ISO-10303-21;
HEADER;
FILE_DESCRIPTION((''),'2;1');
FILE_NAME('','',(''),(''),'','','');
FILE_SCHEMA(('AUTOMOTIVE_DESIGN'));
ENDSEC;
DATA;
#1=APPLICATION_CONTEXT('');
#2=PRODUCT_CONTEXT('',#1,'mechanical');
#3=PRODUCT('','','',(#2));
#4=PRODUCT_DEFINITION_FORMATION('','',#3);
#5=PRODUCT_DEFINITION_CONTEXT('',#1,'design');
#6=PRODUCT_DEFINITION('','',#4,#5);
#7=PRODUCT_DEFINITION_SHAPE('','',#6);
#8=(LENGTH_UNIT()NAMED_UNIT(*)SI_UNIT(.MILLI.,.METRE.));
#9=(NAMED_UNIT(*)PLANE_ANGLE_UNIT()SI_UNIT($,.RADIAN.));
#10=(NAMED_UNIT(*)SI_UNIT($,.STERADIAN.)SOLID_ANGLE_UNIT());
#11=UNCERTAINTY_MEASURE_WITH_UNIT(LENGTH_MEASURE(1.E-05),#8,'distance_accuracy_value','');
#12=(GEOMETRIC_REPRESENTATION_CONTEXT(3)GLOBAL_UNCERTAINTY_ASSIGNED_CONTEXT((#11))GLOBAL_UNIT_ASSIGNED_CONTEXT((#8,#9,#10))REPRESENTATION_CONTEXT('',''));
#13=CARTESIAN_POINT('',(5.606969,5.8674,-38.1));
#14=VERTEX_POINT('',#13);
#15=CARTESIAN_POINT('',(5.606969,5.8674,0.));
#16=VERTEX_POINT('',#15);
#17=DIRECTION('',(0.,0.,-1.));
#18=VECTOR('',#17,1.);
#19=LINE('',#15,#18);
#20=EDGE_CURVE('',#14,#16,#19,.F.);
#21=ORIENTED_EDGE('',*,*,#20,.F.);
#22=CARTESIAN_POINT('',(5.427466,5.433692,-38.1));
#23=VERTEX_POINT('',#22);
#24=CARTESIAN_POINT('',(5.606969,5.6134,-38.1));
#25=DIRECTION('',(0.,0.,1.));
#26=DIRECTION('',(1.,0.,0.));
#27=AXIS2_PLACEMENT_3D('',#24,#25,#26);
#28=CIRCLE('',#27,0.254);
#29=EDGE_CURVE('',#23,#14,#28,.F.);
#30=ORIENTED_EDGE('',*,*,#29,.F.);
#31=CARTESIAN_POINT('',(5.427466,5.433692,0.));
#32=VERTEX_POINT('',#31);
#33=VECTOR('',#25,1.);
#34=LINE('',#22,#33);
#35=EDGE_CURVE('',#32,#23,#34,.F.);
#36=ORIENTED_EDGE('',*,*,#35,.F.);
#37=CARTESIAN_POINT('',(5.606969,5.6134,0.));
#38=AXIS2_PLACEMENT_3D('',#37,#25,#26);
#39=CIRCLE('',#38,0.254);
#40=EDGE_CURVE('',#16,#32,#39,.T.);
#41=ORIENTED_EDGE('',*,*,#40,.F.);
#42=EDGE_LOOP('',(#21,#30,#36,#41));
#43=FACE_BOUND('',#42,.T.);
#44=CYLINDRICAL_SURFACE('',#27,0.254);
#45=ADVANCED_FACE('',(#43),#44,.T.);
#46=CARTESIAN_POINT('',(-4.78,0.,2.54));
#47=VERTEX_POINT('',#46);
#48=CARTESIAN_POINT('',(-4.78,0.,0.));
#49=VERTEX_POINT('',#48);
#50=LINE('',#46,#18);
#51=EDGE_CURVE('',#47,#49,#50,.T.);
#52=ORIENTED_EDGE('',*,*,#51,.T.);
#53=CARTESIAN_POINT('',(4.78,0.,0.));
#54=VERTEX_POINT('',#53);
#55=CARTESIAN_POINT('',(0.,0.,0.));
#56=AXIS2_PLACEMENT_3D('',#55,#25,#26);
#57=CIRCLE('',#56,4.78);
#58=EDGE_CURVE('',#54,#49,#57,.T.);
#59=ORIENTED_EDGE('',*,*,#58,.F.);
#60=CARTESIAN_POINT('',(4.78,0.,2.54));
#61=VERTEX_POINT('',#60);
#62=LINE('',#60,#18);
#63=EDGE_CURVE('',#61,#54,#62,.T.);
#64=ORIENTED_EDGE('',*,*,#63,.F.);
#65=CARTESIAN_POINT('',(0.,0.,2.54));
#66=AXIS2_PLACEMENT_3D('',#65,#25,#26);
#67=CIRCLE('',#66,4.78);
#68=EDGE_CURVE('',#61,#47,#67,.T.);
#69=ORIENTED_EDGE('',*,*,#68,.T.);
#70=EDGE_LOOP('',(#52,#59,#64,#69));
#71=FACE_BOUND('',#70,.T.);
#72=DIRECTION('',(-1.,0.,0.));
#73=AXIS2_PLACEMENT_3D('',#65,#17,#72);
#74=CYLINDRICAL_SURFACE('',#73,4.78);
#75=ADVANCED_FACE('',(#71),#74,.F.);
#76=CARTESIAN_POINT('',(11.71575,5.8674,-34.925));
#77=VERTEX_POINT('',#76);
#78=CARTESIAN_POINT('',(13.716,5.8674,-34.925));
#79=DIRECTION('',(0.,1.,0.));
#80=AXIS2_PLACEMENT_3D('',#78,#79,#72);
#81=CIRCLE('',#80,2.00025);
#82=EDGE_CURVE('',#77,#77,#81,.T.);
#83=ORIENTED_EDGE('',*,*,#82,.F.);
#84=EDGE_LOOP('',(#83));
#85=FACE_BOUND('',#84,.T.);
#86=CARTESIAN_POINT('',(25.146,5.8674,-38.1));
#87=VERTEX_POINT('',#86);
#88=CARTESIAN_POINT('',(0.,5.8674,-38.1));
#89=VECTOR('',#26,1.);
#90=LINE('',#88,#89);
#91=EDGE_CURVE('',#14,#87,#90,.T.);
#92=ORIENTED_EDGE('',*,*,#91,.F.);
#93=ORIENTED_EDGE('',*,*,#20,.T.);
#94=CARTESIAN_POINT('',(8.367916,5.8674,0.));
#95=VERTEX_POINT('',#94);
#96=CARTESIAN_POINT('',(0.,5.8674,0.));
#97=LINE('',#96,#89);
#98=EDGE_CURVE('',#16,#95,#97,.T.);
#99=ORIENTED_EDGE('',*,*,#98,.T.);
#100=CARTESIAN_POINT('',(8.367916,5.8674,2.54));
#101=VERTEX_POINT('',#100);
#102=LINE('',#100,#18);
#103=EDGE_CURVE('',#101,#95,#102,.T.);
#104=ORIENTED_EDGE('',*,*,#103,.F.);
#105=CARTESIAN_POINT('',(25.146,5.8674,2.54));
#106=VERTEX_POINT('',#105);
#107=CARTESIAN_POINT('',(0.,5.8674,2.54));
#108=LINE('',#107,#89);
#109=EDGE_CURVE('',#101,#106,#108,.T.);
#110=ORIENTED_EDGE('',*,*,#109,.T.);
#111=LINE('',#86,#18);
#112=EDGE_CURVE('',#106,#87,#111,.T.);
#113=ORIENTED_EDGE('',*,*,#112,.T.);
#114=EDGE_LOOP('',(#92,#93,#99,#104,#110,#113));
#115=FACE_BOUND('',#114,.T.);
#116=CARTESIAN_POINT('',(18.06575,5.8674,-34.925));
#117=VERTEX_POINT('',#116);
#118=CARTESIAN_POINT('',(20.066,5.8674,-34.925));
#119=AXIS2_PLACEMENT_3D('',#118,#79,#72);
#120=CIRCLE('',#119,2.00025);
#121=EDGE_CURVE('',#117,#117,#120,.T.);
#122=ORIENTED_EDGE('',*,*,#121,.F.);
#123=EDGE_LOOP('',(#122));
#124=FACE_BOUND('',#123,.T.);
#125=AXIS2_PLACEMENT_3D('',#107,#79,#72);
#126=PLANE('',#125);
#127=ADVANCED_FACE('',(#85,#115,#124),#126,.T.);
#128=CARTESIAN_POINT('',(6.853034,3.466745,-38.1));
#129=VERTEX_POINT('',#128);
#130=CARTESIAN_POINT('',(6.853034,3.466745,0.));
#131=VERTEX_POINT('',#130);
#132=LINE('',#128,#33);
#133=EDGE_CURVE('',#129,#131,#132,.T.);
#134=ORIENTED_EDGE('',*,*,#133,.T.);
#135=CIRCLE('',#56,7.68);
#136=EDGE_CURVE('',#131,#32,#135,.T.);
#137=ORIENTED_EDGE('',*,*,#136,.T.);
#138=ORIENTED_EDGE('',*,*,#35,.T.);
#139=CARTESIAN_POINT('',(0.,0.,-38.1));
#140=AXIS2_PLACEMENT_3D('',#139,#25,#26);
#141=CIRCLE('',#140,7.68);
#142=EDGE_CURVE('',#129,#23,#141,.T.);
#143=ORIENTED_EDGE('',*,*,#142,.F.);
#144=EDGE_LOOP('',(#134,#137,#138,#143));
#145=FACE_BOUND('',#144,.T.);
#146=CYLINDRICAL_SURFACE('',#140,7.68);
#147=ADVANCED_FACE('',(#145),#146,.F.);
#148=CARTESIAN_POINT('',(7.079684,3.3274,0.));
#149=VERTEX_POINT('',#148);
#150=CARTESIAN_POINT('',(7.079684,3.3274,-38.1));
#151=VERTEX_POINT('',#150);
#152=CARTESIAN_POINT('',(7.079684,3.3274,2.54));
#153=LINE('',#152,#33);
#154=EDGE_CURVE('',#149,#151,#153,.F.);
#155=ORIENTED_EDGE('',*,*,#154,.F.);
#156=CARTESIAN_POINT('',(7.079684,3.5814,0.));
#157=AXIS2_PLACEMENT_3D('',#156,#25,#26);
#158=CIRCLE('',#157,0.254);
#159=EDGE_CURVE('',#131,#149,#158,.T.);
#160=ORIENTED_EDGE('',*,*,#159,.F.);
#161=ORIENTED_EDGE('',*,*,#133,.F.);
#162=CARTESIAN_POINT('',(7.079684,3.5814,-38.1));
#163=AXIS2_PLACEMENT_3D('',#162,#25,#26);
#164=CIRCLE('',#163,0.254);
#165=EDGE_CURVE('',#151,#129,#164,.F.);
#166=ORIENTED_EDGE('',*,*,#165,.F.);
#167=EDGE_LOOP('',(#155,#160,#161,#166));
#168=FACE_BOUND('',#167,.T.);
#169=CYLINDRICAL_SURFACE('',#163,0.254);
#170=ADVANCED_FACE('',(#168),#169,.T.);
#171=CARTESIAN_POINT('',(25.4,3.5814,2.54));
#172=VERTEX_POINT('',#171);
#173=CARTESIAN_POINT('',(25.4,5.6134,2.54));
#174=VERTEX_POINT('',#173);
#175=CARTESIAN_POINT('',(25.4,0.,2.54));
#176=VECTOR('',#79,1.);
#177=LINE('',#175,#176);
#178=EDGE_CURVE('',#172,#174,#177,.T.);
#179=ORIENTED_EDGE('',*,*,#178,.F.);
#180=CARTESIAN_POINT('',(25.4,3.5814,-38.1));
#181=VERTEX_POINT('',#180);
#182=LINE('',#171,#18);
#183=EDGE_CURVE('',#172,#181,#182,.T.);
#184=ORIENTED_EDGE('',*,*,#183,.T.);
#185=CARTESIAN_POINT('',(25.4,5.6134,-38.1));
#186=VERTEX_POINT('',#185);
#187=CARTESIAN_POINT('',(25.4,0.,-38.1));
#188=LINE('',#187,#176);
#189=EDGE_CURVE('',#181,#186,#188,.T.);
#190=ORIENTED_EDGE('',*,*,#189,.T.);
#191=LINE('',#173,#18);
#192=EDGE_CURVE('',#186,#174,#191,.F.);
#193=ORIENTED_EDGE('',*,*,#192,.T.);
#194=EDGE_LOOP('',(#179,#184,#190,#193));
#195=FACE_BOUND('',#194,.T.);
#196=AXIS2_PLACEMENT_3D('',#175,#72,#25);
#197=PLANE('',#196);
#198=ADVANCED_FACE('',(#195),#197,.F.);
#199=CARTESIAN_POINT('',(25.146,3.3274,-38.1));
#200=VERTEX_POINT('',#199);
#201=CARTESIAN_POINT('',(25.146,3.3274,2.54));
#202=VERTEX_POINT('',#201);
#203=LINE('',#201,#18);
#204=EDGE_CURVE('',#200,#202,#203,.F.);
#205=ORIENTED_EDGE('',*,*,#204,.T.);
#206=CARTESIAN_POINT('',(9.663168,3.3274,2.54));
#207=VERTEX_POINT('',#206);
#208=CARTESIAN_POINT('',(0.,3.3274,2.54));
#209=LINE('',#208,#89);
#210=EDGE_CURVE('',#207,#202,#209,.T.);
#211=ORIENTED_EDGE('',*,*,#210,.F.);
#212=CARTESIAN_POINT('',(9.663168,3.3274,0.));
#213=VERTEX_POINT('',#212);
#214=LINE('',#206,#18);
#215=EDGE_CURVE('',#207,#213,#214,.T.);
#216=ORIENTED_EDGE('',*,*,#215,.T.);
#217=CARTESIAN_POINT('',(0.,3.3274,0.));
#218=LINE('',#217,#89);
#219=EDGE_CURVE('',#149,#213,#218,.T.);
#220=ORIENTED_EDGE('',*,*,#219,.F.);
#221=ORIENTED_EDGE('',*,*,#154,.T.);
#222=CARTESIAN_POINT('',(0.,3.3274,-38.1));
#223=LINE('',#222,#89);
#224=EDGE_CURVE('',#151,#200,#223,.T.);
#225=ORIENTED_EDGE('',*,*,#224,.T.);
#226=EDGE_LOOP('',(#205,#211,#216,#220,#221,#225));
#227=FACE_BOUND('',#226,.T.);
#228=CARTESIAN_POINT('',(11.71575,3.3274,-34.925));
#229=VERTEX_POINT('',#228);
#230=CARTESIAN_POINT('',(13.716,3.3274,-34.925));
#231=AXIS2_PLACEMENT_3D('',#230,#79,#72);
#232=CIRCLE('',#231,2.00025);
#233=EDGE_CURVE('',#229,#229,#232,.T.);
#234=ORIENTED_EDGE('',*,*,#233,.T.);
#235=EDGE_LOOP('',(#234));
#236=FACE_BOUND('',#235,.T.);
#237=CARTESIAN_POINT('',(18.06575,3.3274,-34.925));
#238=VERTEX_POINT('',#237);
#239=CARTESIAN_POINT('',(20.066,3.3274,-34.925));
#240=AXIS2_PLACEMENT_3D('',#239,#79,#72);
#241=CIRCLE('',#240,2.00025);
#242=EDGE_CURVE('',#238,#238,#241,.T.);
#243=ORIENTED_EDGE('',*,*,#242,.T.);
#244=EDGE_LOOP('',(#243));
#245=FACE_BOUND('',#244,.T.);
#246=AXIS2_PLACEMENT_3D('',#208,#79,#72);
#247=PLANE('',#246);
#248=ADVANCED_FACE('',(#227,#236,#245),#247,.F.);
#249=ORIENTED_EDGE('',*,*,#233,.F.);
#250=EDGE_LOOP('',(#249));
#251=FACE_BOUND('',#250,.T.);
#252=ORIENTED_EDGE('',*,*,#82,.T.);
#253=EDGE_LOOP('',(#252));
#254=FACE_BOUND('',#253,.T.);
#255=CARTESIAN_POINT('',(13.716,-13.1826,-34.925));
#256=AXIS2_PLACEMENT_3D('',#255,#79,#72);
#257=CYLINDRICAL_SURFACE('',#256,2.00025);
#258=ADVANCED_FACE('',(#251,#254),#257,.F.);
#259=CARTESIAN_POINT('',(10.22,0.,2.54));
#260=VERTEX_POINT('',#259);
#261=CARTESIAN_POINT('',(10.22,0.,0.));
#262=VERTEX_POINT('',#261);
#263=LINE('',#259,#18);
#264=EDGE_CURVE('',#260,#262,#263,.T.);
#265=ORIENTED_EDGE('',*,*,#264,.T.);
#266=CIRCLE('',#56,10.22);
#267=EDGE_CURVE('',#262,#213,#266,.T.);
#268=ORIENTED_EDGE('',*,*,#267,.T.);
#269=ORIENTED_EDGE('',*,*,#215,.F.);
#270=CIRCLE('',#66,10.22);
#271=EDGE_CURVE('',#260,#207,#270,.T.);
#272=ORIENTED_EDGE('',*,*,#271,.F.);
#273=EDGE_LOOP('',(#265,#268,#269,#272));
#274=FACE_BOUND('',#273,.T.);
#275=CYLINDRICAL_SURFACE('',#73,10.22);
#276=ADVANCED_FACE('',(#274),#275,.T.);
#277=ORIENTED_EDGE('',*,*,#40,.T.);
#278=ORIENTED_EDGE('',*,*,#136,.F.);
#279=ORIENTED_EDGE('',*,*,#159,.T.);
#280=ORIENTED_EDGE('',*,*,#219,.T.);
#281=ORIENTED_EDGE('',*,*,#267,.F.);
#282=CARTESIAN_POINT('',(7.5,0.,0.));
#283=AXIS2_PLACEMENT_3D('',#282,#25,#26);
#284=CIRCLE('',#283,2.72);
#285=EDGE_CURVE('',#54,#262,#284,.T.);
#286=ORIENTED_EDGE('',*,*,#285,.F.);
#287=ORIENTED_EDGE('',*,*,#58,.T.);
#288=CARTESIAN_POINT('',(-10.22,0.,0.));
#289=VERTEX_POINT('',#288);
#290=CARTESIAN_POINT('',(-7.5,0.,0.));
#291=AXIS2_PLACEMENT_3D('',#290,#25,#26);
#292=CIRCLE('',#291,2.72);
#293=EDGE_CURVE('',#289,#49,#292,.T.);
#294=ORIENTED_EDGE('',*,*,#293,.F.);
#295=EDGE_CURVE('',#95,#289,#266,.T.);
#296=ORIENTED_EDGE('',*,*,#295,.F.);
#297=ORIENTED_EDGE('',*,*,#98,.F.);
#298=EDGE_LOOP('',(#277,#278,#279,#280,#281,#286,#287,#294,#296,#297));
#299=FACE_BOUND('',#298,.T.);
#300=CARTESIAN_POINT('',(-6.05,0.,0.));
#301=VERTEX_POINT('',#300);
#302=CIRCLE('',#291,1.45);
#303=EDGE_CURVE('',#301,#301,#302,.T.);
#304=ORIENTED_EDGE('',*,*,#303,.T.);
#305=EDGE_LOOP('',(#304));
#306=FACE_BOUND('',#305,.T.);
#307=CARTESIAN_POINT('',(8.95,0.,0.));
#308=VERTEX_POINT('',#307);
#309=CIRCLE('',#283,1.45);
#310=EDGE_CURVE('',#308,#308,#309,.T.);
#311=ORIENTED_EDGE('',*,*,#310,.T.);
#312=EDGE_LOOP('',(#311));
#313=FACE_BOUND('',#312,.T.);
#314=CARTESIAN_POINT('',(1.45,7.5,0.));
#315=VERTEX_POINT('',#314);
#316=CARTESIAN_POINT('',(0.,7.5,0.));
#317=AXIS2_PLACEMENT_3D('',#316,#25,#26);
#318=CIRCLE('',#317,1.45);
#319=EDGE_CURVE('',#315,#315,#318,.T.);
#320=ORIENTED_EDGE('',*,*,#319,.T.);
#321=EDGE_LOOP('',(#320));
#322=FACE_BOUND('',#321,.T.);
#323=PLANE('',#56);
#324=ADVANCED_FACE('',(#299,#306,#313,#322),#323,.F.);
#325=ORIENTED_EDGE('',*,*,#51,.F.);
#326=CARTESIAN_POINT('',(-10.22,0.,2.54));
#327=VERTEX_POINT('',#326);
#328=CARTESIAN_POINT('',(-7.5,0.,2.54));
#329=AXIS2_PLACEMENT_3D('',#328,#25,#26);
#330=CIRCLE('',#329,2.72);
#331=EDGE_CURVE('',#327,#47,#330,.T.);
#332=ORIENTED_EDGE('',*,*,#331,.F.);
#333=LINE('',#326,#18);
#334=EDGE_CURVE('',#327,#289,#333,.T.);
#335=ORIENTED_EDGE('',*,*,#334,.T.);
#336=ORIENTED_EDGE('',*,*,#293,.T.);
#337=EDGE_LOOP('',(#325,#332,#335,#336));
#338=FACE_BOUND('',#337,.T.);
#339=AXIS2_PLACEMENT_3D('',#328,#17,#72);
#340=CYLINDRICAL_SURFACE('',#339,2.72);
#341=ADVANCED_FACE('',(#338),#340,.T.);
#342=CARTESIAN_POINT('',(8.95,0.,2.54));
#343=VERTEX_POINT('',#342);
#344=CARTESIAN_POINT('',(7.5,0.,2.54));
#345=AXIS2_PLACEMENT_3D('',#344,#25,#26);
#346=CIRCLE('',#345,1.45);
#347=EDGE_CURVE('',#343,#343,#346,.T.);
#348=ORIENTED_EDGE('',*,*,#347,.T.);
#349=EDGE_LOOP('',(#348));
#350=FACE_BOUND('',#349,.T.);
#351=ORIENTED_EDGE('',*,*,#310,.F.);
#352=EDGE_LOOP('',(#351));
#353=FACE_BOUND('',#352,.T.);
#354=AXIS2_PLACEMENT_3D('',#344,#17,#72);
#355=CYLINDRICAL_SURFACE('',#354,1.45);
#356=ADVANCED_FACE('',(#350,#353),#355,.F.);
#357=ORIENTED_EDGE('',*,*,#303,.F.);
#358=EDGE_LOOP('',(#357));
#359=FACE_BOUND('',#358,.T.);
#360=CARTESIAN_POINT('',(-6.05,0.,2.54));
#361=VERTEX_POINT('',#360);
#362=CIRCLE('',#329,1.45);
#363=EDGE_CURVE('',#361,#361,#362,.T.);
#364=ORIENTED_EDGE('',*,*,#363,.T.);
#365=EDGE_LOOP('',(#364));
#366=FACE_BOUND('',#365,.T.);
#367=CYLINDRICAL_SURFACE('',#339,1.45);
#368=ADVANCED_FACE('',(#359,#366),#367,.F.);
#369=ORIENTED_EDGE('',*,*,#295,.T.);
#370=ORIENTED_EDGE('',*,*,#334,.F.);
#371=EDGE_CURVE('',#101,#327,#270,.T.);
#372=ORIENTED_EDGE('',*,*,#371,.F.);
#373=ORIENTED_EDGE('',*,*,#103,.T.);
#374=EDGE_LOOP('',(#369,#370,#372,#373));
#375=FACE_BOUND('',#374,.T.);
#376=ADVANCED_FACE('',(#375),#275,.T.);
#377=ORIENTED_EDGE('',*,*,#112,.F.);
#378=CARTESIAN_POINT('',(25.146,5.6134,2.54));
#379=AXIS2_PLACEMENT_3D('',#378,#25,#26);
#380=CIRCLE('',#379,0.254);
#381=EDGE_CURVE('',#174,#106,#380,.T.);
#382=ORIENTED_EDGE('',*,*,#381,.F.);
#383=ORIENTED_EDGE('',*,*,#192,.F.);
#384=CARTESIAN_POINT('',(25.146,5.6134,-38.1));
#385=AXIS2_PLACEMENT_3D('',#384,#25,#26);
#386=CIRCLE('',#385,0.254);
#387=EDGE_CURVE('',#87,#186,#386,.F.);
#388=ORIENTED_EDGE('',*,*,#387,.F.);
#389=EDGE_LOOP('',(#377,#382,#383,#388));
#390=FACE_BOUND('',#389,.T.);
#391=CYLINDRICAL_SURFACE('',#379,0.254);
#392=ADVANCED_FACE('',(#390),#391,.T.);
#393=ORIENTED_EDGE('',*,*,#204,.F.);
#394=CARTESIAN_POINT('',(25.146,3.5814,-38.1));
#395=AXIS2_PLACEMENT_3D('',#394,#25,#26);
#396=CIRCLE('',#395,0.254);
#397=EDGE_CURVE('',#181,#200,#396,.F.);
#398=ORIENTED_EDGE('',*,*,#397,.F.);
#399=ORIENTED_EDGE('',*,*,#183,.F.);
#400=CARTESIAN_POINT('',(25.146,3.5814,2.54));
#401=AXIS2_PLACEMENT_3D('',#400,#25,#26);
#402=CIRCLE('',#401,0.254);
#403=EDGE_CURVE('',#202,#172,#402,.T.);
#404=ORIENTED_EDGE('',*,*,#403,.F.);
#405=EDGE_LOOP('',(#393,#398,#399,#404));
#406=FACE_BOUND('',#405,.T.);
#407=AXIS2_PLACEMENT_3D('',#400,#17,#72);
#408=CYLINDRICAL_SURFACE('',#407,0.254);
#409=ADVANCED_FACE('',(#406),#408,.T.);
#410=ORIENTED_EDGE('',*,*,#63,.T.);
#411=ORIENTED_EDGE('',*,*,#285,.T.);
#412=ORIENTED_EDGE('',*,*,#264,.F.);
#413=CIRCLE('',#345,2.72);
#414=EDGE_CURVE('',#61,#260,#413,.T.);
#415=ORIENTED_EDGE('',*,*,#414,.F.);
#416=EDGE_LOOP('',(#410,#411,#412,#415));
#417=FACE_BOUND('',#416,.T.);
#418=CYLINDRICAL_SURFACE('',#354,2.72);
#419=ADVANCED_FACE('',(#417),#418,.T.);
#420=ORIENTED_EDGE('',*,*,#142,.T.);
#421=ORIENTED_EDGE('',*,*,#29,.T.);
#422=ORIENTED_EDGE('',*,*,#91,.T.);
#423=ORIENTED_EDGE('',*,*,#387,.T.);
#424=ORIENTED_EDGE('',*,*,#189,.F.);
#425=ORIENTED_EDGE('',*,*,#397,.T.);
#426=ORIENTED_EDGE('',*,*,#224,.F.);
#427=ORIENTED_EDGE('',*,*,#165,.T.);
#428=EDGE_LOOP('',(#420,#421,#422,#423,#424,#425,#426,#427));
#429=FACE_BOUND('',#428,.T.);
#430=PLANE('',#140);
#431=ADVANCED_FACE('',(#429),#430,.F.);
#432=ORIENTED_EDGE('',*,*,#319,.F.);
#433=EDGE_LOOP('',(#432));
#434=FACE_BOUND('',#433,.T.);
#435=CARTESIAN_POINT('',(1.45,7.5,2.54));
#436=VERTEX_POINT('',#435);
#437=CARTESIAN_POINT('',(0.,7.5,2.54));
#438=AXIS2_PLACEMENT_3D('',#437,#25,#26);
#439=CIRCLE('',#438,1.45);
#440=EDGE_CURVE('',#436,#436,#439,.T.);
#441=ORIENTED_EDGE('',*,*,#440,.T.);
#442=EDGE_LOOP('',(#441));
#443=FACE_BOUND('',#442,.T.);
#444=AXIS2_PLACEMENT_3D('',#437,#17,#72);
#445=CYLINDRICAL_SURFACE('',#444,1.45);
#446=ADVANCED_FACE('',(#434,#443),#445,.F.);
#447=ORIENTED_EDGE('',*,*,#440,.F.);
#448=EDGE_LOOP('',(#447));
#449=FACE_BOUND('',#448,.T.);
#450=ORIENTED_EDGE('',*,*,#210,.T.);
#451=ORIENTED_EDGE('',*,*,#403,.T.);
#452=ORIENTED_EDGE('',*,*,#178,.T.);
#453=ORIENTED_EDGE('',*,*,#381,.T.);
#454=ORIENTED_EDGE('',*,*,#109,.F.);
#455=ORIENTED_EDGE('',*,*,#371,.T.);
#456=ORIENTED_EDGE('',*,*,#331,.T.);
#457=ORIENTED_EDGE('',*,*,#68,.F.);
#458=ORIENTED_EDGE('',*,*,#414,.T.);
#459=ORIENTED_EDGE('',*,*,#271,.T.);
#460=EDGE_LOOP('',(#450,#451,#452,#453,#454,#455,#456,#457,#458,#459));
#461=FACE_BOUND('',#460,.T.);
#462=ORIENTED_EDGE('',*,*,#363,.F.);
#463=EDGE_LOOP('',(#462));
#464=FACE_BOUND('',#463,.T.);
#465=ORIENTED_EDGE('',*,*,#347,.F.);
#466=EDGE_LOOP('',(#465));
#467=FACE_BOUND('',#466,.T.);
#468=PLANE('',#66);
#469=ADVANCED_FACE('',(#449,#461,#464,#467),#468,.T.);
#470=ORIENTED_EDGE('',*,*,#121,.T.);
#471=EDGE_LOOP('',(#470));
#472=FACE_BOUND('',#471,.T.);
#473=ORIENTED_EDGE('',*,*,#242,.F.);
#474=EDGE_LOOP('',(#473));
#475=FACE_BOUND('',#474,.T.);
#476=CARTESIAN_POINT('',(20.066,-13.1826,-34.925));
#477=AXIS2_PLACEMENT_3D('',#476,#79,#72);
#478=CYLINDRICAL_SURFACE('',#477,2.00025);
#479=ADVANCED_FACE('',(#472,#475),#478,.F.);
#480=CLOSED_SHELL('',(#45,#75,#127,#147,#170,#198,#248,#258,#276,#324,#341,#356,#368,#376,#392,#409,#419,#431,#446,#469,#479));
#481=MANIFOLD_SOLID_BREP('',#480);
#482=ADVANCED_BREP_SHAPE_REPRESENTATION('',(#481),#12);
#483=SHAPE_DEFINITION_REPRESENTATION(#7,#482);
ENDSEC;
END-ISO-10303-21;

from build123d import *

# Parameters (mm, degrees)
SKETCH1_R           = 1.45
BOSS_EXTRUDE1_DEPTH = 2.54
BOSS_EXTRUDE2_DEPTH = 38.1
FILLET1_R           = 0.254
CUT_EXTRUDE1_DEPTH  = 19.05


with BuildPart() as part:
    # Sketch1 → Boss-Extrude1 (new body)
    with BuildSketch(Plane.XY):
        with BuildLine():
            ThreePointArc((10.22, 0), (10.07983069, 1.686835278), (9.663167661, 3.3274))
            Line((9.663167661, 3.3274), (25.4, 3.3274))
            Line((25.4, 3.3274), (25.4, 5.8674))
            Line((25.4, 5.8674), (8.367915944, 5.8674))
            ThreePointArc((8.367915944, 5.8674), (-3.076385784, 9.745986379), (-10.22, 1.2e-08))
            ThreePointArc((-10.22, 1.2e-08), (-7.500000006, -2.72), (-4.78, 0))
            ThreePointArc((-4.78, 0), (0, 4.78), (4.78, 0))
            ThreePointArc((4.78, 0), (7.5, -2.72), (10.22, 0))
        make_face()
        with Locations((7.5, 0)):
            Circle(SKETCH1_R, mode=Mode.SUBTRACT)
        with Locations((-7.5, 0)):
            Circle(SKETCH1_R, mode=Mode.SUBTRACT)
        with Locations((0, 7.5)):
            Circle(SKETCH1_R, mode=Mode.SUBTRACT)
    extrude(amount=BOSS_EXTRUDE1_DEPTH)

    # Sketch1<3> → Boss-Extrude2 (add)
    with BuildSketch(Plane.XY):
        with BuildLine():
            ThreePointArc((4.955402833, 5.8674), (6.072863387, 4.70135409), (6.921763449, 3.3274))
            Line((6.921763449, 3.3274), (25.4, 3.3274))
            Line((25.4, 3.3274), (25.4, 5.8674))
            Line((25.4, 5.8674), (4.955402833, 5.8674))
        make_face()
    extrude(amount=-BOSS_EXTRUDE2_DEPTH)

    # Fillet1
    fillet1_edges = [part.edges().sort_by_distance(p)[0] for p in [
        (25.4, 5.8674, -17.78),
        (25.4, 3.3274, -17.78),
        (4.955402833, 5.8674, -19.05),
        (6.921763449, 3.3274, -19.05),
    ]]
    fillet(fillet1_edges, radius=FILLET1_R)

    # Sketch5 → Cut-Extrude1 (cut)
    with BuildSketch(Plane(origin=(0, 5.8674, 0), x_dir=(1, 0, 0), z_dir=(0, 1, 0))):
        with BuildLine():
            Line((22.06625, 34.925), (20.066, 34.925))
            Line((20.066, 34.925), (18.06575, 34.925))
            ThreePointArc((18.06575, 34.925), (20.066, 32.92475), (22.06625, 34.925))
        make_face()
        with BuildLine():
            ThreePointArc((22.06625, 34.925), (21.480390339, 36.339390339), (20.066, 36.92525))
            Line((20.066, 36.92525), (20.066, 34.925))
            Line((20.066, 34.925), (22.06625, 34.925))
        make_face()
        with BuildLine():
            Line((20.066, 34.925), (20.066, 36.92525))
            ThreePointArc((20.066, 36.92525), (18.651609661, 36.339390339), (18.06575, 34.925))
            Line((18.06575, 34.925), (20.066, 34.925))
        make_face()
        with BuildLine():
            ThreePointArc((15.71625, 34.925), (13.716, 36.92525), (11.71575, 34.925))
            Line((11.71575, 34.925), (15.71625, 34.925))
        make_face()
        with BuildLine():
            Line((15.71625, 34.925), (11.71575, 34.925))
            ThreePointArc((11.71575, 34.925), (13.716, 32.92475), (15.71625, 34.925))
        make_face()
    extrude(amount=-CUT_EXTRUDE1_DEPTH, mode=Mode.SUBTRACT)


solid = part.part
